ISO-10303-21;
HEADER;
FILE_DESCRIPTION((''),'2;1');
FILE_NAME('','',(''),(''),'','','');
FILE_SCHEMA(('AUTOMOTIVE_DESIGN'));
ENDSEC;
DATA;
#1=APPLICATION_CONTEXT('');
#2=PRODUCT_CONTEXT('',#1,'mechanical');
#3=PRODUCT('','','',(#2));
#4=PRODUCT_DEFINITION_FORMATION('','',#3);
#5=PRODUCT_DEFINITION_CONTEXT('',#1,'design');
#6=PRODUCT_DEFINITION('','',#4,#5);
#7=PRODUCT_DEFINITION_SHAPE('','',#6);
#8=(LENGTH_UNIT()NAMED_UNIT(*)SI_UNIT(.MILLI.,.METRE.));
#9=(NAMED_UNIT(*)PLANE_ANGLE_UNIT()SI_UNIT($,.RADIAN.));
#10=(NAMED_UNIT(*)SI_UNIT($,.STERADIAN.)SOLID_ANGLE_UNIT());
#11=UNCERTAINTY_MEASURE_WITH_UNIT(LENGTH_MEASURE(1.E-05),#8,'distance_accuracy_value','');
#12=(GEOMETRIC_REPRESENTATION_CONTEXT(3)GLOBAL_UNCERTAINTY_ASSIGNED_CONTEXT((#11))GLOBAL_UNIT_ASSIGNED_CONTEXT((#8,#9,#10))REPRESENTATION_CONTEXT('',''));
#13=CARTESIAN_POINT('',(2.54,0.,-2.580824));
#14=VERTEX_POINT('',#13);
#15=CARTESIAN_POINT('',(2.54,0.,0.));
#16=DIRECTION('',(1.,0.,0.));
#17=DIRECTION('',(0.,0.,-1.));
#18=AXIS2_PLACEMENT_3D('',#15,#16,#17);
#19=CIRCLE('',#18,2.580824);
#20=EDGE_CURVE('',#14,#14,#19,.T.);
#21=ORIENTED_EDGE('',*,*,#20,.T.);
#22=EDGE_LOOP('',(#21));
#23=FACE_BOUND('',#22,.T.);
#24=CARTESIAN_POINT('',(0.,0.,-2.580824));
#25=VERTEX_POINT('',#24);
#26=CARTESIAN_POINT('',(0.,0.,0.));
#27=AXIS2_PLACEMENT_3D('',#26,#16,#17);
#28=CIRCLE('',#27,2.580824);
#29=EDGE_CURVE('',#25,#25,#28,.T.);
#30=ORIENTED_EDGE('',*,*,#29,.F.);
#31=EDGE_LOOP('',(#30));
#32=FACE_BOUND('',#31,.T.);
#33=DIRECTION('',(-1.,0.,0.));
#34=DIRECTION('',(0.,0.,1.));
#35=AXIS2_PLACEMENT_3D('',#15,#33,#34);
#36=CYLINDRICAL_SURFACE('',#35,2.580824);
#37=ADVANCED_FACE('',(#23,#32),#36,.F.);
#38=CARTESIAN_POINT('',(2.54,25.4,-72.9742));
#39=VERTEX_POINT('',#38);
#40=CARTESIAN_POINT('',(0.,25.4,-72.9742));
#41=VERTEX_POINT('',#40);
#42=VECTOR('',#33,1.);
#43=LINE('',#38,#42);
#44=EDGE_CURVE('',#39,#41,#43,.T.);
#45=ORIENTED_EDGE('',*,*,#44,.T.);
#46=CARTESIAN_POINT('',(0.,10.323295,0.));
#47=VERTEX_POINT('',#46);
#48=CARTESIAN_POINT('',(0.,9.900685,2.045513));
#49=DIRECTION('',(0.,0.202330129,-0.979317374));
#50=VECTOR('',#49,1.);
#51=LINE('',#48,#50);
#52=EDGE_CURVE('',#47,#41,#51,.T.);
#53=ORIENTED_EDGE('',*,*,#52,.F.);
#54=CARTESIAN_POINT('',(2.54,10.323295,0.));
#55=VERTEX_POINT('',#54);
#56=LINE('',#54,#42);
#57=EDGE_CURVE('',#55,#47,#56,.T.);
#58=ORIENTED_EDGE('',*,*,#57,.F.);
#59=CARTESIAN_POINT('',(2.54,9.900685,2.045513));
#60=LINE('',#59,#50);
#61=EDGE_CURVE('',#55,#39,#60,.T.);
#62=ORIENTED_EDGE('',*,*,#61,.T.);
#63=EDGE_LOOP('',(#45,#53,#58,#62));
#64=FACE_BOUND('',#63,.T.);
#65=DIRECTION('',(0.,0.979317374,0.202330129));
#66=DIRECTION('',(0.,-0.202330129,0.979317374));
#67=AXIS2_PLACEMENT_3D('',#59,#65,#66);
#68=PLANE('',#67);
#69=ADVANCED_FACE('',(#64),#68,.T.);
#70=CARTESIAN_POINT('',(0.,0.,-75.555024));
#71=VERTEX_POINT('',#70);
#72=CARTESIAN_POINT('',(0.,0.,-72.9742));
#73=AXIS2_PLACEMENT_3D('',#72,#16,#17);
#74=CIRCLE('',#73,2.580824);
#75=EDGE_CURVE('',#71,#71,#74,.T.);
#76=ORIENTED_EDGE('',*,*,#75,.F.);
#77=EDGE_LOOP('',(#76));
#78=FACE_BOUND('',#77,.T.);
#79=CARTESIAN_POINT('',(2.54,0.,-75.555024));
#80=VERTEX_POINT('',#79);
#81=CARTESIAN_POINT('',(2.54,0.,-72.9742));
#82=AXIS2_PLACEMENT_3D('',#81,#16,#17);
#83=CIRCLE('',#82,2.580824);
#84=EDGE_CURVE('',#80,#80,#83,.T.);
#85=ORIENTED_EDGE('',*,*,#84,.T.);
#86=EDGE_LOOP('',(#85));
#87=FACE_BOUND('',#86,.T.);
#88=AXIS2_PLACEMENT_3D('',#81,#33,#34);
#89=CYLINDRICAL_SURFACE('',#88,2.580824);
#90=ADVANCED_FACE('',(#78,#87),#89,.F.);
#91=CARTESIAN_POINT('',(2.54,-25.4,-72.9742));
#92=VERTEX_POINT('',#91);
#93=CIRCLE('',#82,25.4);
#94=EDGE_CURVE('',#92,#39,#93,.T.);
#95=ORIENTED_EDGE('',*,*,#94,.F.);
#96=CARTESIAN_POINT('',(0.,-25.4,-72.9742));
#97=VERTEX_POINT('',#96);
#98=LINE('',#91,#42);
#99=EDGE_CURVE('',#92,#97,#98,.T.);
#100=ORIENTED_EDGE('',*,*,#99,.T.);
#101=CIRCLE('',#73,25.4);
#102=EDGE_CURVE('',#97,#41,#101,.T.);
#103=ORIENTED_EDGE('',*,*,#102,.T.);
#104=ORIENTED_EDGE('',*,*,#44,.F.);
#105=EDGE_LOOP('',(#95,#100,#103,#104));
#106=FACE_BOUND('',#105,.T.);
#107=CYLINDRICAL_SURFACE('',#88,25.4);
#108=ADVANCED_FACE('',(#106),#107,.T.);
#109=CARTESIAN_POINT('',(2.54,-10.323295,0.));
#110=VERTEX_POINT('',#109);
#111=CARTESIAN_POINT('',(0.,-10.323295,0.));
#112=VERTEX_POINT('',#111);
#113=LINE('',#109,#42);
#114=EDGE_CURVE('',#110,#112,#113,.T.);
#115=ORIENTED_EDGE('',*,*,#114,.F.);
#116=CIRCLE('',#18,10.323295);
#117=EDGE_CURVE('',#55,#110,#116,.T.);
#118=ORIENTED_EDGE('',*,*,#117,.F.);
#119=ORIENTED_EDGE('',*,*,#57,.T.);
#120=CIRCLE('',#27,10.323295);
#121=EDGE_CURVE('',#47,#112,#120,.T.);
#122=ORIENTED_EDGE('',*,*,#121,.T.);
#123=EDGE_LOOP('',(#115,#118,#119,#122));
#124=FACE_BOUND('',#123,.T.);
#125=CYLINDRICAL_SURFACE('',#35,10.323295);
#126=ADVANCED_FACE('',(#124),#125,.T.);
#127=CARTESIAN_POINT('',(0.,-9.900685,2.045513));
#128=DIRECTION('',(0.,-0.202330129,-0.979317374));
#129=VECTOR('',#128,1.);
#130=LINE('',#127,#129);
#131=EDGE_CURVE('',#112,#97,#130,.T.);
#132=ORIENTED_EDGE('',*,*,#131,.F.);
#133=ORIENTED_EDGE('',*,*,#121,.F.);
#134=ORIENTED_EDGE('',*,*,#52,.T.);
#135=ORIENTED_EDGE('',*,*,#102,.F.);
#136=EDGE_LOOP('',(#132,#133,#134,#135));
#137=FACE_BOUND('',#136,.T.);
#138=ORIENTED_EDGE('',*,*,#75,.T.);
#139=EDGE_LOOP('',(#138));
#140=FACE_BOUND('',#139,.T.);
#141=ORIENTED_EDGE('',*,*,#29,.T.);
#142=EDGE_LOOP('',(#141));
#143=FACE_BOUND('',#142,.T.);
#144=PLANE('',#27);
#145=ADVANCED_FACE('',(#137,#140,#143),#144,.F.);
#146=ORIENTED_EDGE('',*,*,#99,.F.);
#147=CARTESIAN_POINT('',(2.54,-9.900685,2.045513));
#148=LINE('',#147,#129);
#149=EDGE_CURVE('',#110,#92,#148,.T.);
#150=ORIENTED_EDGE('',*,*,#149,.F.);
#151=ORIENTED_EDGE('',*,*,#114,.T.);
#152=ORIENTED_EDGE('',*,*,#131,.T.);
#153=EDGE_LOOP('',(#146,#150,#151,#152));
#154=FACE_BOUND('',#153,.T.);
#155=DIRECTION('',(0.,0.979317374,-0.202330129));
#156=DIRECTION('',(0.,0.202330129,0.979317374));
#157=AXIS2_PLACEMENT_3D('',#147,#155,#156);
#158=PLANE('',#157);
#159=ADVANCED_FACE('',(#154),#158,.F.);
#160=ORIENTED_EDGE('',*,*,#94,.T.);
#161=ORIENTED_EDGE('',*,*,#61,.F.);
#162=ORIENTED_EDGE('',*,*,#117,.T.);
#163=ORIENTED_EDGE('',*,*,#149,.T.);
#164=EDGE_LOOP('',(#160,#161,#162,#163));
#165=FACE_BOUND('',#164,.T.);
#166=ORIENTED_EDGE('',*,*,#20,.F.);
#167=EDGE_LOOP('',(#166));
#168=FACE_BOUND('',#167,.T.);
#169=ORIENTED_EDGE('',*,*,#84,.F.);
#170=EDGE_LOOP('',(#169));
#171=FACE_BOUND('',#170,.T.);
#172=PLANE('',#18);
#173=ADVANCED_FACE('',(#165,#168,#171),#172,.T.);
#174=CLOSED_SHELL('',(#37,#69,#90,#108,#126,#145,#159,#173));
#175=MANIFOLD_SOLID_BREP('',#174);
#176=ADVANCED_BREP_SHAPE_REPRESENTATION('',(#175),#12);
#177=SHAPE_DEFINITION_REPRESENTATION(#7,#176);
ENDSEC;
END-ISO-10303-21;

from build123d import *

# Parameters (mm, degrees)
SKETCH1_R           = 2.580823706
BOSS_EXTRUDE1_DEPTH = 2.54


with BuildPart() as part:
    # Sketch1 → Boss-Extrude1 (new body)
    with BuildSketch(Plane(origin=(0, 0, 0), x_dir=(0, 0, -1), z_dir=(1, 0, 0))):
        with BuildLine():
            ThreePointArc((0, 10.323294823), (-10.323294823, 0), (0, -10.323294823))
            Line((0, -10.323294823), (72.9742, -25.4))
            ThreePointArc((72.9742, -25.4), (98.3742, 0), (72.9742, 25.4))
            Line((72.9742, 25.4), (0, 10.323294823))
        make_face()
        Circle(SKETCH1_R, mode=Mode.SUBTRACT)
        with Locations((72.9742, 0)):
            Circle(SKETCH1_R, mode=Mode.SUBTRACT)
    extrude(amount=BOSS_EXTRUDE1_DEPTH)


solid = part.part
